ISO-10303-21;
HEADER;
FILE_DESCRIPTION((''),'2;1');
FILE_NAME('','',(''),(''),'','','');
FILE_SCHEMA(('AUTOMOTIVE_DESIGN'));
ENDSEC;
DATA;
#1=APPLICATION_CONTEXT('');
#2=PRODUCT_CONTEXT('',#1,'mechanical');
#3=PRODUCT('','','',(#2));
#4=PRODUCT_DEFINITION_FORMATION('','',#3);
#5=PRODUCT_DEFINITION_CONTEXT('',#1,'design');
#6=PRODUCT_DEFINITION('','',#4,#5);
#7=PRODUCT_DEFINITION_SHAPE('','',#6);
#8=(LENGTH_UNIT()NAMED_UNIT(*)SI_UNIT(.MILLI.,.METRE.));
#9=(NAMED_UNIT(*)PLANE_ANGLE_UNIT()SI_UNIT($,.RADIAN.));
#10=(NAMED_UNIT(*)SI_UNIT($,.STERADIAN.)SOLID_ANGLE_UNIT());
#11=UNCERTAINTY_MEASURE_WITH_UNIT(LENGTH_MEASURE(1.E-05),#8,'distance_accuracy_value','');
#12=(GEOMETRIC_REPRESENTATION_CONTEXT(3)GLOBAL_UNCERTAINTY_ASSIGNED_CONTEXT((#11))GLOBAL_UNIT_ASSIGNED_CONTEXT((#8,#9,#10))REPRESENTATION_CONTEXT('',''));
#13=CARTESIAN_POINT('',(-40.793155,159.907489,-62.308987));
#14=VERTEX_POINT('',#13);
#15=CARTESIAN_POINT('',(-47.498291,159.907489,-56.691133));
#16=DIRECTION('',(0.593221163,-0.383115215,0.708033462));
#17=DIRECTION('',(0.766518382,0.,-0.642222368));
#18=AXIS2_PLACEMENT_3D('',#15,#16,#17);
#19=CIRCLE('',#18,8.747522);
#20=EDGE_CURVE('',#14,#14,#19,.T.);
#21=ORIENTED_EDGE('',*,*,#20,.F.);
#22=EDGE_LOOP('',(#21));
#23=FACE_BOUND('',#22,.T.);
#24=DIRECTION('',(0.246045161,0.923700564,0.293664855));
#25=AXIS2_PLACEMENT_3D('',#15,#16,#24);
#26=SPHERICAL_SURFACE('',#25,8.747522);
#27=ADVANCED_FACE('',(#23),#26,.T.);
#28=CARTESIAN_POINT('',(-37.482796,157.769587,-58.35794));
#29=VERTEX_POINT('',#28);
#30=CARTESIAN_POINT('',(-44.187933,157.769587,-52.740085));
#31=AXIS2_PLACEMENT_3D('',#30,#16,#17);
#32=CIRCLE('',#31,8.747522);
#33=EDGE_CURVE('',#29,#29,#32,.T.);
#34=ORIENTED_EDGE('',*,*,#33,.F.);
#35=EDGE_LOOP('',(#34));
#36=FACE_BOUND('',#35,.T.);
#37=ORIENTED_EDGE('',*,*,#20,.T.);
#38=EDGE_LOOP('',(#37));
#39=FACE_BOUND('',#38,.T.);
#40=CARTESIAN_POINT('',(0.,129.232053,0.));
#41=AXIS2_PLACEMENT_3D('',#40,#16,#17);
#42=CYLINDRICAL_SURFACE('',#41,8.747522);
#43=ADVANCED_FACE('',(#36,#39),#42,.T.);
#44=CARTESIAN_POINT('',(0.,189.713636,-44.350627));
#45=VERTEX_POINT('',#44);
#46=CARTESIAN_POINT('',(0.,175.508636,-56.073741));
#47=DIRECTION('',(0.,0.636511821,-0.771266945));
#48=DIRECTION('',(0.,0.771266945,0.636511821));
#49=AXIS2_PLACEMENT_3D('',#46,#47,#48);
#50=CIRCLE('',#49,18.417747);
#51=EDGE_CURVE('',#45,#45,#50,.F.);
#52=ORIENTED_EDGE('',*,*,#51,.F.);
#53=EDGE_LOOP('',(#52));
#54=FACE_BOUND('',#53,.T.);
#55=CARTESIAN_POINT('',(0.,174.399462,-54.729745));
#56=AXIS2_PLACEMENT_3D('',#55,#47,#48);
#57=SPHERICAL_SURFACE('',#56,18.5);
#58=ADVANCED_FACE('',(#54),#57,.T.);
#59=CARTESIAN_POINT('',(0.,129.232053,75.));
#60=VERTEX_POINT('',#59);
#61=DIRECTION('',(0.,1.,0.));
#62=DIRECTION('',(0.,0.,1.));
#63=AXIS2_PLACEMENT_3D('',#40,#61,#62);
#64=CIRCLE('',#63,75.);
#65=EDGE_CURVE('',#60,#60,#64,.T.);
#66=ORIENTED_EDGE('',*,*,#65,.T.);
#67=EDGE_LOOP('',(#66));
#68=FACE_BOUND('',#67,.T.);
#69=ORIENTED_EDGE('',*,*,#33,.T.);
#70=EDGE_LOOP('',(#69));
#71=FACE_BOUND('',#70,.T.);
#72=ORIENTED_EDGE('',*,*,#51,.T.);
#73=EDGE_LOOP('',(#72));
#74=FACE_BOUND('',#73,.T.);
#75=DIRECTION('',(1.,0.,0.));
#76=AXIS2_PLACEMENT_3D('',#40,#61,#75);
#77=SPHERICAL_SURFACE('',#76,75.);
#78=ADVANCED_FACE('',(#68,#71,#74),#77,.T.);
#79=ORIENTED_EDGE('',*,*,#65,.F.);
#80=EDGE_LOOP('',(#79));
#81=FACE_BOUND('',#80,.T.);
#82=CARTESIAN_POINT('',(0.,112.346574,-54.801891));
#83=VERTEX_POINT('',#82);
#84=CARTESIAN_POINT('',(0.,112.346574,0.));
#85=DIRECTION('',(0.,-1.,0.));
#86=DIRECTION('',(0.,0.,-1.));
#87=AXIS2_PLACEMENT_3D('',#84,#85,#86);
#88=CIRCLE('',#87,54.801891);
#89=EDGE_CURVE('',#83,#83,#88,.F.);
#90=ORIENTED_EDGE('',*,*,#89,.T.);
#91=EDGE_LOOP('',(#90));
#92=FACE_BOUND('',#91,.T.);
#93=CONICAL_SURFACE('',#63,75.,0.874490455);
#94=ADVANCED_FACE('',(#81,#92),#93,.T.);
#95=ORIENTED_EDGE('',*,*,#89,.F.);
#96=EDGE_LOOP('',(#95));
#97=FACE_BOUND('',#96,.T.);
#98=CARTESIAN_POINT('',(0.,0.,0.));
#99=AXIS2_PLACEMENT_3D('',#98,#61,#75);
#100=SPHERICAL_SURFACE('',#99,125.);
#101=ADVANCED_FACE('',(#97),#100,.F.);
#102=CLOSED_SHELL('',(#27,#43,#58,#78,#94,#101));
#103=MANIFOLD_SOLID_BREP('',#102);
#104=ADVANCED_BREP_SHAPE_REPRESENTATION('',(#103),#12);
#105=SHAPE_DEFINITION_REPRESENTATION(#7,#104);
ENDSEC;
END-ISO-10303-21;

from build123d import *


with BuildPart() as part:
    # 草图1 → 旋转1 (revolve)
    with BuildSketch(Plane.XY):
        with BuildLine():
            Line((-75, 129.232052778), (-54.801890605, 112.34657443))
            ThreePointArc((-54.801890605, 112.34657443), (-28.12186157, 121.795570124), (0, 125))
            Line((0, 125), (0, 204.232052778))
            ThreePointArc((0, 204.232052778), (-53.033008589, 182.265061367), (-75, 129.232052778))
        make_face()
    revolve(axis=Axis((0, 213.081349398, 0), (0, -1, 0)))

    # 草图6 → 旋转2 (revolve)
    with BuildSketch(Plane(origin=(0, 0, 0), x_dir=(0, 0, -1), z_dir=(1, 0, 0))):
        with BuildLine():
            Line((36.229745399, 174.39946224), (73.229745399, 174.39946224))
            ThreePointArc((73.229745399, 174.39946224), (54.729745399, 192.89946224), (36.229745399, 174.39946224))
        make_face()
    revolve(axis=Axis((0, 174.39946224, 0), (0, 0, -1)))

    # 草图9 → 旋转4 (revolve)
    with BuildSketch(Plane(origin=(0, 0, 0), x_dir=(0, 1, 0), z_dir=(-0.7665183822714032, 0, 0.6422223677512571))):
        with BuildLine():
            Line((156.556180661, 65.879169876), (163.258797924, 82.039351206))
            ThreePointArc((163.258797924, 82.039351206), (156.56373545, 82.042480502), (151.827398627, 77.310569172))
            Line((151.827398627, 77.310569172), (148.476089996, 69.230478507))
            Line((148.476089996, 69.230478507), (156.556180661, 65.879169876))
        make_face()
    revolve(axis=Axis((0, 129.232052778, 0), (-0.5932211633183806, 0.3831152150832898, -0.7080334620361328)))

    # 草图15 → 旋转5 (revolve)
    with BuildSketch(Plane.XY):
        with BuildLine():
            Line((0, 125), (0, -125))
            ThreePointArc((0, -125), (125, 0), (0, 125))
        make_face()
    revolve(axis=Axis((0, 143.905509185, 0), (0, -1, 0)))

    # 草图15<3> → 切除-旋转5 (revolve, cut)
    with BuildSketch(Plane.XY):
        with BuildLine():
            Line((0, 125), (0, -125))
            ThreePointArc((0, -125), (125, 0), (0, 125))
        make_face()
    revolve(axis=Axis((0, 143.905509185, 0), (0, -1, 0)), mode=Mode.SUBTRACT)


solid = part.part
